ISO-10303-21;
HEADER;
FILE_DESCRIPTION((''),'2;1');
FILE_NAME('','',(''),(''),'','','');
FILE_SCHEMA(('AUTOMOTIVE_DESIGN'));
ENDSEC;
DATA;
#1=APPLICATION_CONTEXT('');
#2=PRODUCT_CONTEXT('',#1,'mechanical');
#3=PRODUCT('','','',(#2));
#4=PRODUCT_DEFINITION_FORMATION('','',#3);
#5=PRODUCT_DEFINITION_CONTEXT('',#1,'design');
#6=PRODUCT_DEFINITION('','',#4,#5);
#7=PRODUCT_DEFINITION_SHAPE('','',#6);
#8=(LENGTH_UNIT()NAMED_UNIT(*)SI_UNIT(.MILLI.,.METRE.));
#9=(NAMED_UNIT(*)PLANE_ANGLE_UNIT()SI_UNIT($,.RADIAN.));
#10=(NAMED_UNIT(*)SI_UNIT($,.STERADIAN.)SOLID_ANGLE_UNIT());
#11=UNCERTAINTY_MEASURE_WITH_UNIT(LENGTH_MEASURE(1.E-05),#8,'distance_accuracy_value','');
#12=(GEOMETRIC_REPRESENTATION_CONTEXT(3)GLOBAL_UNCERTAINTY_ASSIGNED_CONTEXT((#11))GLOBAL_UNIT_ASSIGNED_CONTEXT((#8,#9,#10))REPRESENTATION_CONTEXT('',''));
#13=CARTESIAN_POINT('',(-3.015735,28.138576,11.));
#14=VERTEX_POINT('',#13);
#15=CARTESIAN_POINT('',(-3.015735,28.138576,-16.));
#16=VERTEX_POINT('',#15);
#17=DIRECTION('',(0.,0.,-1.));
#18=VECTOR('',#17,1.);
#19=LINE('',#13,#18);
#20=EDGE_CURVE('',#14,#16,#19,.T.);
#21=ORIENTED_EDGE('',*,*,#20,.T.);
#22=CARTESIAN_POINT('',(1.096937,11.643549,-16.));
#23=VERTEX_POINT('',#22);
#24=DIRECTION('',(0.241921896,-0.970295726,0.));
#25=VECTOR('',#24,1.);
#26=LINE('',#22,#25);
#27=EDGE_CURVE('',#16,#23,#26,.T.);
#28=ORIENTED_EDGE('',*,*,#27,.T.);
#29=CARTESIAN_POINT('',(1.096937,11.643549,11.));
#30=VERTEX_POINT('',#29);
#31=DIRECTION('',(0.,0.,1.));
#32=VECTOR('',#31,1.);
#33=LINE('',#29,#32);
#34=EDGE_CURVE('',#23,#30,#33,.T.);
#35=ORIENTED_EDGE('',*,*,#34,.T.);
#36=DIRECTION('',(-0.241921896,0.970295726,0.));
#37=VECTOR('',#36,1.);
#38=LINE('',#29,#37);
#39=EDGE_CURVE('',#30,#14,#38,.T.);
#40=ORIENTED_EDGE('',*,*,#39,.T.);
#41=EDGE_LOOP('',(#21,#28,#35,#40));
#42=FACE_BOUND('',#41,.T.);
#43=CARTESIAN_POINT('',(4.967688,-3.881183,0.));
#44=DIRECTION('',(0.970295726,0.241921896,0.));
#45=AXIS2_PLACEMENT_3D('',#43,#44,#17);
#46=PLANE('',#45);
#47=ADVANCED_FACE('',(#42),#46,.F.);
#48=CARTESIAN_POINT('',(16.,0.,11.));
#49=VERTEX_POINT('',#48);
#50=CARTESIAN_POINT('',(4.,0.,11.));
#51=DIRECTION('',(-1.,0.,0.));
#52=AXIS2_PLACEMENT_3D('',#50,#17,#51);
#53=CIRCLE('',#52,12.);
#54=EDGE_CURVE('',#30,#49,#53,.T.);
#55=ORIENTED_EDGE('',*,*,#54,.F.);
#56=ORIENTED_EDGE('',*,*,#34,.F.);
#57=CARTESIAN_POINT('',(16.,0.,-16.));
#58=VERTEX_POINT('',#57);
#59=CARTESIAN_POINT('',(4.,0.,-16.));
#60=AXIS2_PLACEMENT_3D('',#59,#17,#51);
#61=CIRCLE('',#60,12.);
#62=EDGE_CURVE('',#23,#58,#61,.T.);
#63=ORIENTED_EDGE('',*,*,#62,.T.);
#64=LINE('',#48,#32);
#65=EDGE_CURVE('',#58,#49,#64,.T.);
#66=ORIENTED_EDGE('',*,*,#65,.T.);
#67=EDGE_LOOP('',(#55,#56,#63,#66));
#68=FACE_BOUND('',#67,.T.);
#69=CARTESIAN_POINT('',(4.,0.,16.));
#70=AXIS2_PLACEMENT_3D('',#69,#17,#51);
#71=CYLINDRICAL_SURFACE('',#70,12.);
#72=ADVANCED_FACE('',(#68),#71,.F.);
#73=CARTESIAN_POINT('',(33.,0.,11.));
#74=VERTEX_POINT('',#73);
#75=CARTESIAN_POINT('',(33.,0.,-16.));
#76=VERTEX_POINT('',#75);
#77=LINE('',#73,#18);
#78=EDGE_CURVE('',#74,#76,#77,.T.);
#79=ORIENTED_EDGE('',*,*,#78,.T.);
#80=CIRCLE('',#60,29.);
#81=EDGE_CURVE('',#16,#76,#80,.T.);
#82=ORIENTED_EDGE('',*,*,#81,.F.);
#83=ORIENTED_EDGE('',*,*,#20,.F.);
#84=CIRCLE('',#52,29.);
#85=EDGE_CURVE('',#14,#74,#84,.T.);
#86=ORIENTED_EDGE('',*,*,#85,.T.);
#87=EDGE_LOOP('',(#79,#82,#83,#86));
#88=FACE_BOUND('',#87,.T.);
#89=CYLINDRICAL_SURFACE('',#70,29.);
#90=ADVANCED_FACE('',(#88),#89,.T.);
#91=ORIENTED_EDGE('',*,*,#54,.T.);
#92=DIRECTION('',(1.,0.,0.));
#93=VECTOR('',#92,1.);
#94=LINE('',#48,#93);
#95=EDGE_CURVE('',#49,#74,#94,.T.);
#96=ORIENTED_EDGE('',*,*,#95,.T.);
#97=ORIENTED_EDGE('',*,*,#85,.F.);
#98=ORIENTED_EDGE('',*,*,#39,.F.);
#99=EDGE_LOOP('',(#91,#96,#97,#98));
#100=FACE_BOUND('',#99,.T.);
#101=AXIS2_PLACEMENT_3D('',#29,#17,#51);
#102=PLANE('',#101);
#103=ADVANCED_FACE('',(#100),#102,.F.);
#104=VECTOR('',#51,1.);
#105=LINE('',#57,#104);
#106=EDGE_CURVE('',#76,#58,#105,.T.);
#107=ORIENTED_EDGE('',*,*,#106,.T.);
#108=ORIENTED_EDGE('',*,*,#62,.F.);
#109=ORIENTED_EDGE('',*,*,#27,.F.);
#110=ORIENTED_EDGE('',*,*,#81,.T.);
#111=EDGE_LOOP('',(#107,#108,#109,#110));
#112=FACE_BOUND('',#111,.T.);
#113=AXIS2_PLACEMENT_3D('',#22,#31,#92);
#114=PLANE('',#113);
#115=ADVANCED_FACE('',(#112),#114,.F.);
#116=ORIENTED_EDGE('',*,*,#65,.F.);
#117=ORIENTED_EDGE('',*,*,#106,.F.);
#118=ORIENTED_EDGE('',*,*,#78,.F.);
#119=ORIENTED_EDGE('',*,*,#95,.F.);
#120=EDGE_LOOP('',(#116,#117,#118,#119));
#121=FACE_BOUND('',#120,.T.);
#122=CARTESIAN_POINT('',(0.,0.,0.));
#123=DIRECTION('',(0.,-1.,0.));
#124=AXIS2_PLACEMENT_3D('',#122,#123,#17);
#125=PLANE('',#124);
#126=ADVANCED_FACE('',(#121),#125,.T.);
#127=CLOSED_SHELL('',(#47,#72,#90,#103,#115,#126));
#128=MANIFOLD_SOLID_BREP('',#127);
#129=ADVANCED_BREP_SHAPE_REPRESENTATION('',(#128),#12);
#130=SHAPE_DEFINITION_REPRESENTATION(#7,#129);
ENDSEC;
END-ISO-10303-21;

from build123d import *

# Parameters (mm, degrees)
REVOLVESKETCH_W           = 17
REVOLVESKETCH_H           = 27
ORDINARYBOSSREVOLVE_ANGLE = 104


with BuildPart() as part:
    # RevolveSketch → OrdinaryBossRevolve (revolve)
    with BuildSketch(Plane(origin=(0, 0, 0), x_dir=(1, 0, 0), z_dir=(0, 1, 0))):
        with Locations((24.5, 2.5)):
            Rectangle(REVOLVESKETCH_W, REVOLVESKETCH_H)
    revolve(axis=Axis((4, 0, 16), (0, 0, 1)), revolution_arc=ORDINARYBOSSREVOLVE_ANGLE)


solid = part.part
